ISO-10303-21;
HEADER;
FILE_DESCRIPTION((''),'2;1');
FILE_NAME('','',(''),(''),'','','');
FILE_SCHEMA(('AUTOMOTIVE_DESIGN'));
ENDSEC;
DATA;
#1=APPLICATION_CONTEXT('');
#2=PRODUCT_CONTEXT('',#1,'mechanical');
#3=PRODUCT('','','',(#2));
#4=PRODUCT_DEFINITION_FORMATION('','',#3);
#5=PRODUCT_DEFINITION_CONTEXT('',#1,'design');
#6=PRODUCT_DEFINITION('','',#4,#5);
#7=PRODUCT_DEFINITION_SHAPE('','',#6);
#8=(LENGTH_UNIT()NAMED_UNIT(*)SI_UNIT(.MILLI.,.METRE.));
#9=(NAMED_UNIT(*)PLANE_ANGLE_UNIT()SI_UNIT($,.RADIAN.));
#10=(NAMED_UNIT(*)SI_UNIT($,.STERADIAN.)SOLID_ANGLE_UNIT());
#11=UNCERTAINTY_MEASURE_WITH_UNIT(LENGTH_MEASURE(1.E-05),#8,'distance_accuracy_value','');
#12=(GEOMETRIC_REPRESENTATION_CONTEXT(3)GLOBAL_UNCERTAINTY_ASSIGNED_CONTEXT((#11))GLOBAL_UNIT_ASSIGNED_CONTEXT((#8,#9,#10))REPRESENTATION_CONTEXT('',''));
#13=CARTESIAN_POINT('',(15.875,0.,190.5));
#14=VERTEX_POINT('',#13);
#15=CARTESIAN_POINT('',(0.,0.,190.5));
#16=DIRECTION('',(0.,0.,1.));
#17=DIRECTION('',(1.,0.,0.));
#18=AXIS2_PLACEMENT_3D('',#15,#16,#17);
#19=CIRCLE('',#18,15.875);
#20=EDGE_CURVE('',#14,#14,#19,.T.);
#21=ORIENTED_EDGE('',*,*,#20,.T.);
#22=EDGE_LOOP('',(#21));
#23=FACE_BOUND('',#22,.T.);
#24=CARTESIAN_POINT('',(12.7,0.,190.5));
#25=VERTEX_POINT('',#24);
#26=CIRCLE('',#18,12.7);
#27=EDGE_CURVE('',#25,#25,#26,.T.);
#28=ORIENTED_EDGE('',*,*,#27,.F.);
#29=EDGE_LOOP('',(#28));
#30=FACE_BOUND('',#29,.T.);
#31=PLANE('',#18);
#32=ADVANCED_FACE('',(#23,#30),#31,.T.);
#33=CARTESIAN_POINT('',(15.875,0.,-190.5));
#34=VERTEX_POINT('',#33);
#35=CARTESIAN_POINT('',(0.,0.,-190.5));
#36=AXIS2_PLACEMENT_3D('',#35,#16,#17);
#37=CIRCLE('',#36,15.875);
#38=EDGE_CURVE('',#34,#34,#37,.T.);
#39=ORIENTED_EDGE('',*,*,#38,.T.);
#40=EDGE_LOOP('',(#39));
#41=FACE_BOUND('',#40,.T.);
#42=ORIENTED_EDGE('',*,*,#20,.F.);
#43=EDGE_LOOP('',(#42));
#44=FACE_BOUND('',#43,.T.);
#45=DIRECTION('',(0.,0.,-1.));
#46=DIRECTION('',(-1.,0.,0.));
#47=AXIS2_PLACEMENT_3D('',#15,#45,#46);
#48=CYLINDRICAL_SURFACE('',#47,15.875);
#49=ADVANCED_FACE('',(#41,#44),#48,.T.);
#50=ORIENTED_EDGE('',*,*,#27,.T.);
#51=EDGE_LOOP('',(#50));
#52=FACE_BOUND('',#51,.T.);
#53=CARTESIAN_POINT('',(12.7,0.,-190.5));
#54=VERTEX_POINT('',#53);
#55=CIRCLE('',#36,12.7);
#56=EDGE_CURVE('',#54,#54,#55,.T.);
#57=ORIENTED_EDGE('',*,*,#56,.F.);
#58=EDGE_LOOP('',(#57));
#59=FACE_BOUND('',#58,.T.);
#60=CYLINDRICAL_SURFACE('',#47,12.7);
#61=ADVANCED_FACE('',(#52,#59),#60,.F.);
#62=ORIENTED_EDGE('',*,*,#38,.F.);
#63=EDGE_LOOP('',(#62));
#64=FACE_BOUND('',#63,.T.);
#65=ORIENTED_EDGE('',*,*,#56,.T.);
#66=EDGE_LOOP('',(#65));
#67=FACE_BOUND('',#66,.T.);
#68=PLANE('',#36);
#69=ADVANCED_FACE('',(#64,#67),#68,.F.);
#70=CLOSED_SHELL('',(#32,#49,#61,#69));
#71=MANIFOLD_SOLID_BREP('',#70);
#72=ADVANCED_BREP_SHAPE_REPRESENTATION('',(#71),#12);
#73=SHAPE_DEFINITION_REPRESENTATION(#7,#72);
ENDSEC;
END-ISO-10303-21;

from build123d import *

# Parameters (mm, degrees)
SKETCH2_R           = 15.875
SKETCH2_R_2         = 12.7
BOSS_EXTRUDE1_DEPTH = 190.5


with BuildPart() as part:
    # Sketch2 → Boss-Extrude1 (new body, symmetric)
    with BuildSketch(Plane.XY):
        Circle(SKETCH2_R)
        Circle(SKETCH2_R_2, mode=Mode.SUBTRACT)
    extrude(amount=BOSS_EXTRUDE1_DEPTH, both=True)


solid = part.part
